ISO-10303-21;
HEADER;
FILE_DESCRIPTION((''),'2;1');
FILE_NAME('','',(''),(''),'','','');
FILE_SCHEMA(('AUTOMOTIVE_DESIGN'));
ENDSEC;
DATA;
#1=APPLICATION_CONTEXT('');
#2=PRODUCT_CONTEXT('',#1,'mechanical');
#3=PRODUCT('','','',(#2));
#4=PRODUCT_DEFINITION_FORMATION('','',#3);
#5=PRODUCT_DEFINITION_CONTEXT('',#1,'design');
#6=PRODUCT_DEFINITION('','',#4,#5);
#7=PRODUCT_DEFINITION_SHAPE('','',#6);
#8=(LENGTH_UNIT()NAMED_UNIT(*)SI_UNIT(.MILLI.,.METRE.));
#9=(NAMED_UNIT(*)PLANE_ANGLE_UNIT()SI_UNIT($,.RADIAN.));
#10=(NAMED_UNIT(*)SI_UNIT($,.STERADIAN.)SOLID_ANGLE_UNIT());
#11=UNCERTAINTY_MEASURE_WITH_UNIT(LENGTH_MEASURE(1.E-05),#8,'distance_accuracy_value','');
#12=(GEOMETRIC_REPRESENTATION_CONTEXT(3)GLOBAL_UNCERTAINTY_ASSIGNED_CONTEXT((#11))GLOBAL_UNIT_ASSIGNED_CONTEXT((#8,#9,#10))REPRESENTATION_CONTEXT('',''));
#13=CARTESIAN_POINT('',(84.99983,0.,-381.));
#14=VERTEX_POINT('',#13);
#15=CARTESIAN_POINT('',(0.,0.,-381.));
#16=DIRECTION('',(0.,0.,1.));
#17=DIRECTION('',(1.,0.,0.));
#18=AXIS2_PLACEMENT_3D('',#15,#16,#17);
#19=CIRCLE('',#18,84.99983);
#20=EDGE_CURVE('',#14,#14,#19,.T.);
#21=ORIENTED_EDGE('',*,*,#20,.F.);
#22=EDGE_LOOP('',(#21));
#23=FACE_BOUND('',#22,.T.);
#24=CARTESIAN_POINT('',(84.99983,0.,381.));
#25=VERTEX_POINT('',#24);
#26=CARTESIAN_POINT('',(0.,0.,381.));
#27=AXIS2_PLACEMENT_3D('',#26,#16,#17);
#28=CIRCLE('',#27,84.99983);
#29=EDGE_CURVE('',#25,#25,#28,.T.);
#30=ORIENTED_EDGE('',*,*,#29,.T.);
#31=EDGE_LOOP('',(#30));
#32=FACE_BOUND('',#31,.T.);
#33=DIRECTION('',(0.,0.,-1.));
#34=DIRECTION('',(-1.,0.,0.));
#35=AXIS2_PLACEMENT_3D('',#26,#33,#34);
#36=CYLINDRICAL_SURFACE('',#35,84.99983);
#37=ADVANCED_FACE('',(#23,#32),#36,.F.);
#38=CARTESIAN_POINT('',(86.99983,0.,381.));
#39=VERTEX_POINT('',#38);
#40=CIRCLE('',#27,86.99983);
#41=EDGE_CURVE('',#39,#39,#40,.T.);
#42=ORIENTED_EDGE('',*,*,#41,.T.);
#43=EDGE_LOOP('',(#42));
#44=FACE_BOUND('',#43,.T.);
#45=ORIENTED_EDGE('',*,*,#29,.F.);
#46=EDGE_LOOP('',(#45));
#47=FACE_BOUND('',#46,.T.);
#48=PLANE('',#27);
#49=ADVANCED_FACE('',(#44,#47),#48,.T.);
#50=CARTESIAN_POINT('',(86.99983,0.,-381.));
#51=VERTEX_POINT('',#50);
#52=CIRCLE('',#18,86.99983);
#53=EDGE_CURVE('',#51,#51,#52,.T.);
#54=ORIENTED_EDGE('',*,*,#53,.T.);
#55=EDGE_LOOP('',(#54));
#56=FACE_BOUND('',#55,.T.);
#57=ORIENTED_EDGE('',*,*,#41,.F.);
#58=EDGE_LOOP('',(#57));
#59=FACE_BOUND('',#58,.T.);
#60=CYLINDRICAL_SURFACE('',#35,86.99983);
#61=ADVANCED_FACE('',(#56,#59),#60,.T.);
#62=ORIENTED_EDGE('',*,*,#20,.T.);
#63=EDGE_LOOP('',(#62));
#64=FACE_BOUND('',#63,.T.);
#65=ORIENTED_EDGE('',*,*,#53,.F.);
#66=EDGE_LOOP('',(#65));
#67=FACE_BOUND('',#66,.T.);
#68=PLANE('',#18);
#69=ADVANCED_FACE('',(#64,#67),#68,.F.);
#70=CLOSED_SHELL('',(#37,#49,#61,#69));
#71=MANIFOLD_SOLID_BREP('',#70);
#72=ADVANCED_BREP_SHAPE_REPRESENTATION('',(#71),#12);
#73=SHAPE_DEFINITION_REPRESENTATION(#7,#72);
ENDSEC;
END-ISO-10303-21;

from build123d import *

# Parameters (mm, degrees)
SKETCH1_R           = 86.99983
SKETCH1_R_2         = 84.99983
BOSS_EXTRUDE1_DEPTH = 381


with BuildPart() as part:
    # Sketch1 → Boss-Extrude1 (new body, symmetric)
    with BuildSketch(Plane.XY):
        Circle(SKETCH1_R)
        Circle(SKETCH1_R_2, mode=Mode.SUBTRACT)
    extrude(amount=BOSS_EXTRUDE1_DEPTH, both=True)


solid = part.part
